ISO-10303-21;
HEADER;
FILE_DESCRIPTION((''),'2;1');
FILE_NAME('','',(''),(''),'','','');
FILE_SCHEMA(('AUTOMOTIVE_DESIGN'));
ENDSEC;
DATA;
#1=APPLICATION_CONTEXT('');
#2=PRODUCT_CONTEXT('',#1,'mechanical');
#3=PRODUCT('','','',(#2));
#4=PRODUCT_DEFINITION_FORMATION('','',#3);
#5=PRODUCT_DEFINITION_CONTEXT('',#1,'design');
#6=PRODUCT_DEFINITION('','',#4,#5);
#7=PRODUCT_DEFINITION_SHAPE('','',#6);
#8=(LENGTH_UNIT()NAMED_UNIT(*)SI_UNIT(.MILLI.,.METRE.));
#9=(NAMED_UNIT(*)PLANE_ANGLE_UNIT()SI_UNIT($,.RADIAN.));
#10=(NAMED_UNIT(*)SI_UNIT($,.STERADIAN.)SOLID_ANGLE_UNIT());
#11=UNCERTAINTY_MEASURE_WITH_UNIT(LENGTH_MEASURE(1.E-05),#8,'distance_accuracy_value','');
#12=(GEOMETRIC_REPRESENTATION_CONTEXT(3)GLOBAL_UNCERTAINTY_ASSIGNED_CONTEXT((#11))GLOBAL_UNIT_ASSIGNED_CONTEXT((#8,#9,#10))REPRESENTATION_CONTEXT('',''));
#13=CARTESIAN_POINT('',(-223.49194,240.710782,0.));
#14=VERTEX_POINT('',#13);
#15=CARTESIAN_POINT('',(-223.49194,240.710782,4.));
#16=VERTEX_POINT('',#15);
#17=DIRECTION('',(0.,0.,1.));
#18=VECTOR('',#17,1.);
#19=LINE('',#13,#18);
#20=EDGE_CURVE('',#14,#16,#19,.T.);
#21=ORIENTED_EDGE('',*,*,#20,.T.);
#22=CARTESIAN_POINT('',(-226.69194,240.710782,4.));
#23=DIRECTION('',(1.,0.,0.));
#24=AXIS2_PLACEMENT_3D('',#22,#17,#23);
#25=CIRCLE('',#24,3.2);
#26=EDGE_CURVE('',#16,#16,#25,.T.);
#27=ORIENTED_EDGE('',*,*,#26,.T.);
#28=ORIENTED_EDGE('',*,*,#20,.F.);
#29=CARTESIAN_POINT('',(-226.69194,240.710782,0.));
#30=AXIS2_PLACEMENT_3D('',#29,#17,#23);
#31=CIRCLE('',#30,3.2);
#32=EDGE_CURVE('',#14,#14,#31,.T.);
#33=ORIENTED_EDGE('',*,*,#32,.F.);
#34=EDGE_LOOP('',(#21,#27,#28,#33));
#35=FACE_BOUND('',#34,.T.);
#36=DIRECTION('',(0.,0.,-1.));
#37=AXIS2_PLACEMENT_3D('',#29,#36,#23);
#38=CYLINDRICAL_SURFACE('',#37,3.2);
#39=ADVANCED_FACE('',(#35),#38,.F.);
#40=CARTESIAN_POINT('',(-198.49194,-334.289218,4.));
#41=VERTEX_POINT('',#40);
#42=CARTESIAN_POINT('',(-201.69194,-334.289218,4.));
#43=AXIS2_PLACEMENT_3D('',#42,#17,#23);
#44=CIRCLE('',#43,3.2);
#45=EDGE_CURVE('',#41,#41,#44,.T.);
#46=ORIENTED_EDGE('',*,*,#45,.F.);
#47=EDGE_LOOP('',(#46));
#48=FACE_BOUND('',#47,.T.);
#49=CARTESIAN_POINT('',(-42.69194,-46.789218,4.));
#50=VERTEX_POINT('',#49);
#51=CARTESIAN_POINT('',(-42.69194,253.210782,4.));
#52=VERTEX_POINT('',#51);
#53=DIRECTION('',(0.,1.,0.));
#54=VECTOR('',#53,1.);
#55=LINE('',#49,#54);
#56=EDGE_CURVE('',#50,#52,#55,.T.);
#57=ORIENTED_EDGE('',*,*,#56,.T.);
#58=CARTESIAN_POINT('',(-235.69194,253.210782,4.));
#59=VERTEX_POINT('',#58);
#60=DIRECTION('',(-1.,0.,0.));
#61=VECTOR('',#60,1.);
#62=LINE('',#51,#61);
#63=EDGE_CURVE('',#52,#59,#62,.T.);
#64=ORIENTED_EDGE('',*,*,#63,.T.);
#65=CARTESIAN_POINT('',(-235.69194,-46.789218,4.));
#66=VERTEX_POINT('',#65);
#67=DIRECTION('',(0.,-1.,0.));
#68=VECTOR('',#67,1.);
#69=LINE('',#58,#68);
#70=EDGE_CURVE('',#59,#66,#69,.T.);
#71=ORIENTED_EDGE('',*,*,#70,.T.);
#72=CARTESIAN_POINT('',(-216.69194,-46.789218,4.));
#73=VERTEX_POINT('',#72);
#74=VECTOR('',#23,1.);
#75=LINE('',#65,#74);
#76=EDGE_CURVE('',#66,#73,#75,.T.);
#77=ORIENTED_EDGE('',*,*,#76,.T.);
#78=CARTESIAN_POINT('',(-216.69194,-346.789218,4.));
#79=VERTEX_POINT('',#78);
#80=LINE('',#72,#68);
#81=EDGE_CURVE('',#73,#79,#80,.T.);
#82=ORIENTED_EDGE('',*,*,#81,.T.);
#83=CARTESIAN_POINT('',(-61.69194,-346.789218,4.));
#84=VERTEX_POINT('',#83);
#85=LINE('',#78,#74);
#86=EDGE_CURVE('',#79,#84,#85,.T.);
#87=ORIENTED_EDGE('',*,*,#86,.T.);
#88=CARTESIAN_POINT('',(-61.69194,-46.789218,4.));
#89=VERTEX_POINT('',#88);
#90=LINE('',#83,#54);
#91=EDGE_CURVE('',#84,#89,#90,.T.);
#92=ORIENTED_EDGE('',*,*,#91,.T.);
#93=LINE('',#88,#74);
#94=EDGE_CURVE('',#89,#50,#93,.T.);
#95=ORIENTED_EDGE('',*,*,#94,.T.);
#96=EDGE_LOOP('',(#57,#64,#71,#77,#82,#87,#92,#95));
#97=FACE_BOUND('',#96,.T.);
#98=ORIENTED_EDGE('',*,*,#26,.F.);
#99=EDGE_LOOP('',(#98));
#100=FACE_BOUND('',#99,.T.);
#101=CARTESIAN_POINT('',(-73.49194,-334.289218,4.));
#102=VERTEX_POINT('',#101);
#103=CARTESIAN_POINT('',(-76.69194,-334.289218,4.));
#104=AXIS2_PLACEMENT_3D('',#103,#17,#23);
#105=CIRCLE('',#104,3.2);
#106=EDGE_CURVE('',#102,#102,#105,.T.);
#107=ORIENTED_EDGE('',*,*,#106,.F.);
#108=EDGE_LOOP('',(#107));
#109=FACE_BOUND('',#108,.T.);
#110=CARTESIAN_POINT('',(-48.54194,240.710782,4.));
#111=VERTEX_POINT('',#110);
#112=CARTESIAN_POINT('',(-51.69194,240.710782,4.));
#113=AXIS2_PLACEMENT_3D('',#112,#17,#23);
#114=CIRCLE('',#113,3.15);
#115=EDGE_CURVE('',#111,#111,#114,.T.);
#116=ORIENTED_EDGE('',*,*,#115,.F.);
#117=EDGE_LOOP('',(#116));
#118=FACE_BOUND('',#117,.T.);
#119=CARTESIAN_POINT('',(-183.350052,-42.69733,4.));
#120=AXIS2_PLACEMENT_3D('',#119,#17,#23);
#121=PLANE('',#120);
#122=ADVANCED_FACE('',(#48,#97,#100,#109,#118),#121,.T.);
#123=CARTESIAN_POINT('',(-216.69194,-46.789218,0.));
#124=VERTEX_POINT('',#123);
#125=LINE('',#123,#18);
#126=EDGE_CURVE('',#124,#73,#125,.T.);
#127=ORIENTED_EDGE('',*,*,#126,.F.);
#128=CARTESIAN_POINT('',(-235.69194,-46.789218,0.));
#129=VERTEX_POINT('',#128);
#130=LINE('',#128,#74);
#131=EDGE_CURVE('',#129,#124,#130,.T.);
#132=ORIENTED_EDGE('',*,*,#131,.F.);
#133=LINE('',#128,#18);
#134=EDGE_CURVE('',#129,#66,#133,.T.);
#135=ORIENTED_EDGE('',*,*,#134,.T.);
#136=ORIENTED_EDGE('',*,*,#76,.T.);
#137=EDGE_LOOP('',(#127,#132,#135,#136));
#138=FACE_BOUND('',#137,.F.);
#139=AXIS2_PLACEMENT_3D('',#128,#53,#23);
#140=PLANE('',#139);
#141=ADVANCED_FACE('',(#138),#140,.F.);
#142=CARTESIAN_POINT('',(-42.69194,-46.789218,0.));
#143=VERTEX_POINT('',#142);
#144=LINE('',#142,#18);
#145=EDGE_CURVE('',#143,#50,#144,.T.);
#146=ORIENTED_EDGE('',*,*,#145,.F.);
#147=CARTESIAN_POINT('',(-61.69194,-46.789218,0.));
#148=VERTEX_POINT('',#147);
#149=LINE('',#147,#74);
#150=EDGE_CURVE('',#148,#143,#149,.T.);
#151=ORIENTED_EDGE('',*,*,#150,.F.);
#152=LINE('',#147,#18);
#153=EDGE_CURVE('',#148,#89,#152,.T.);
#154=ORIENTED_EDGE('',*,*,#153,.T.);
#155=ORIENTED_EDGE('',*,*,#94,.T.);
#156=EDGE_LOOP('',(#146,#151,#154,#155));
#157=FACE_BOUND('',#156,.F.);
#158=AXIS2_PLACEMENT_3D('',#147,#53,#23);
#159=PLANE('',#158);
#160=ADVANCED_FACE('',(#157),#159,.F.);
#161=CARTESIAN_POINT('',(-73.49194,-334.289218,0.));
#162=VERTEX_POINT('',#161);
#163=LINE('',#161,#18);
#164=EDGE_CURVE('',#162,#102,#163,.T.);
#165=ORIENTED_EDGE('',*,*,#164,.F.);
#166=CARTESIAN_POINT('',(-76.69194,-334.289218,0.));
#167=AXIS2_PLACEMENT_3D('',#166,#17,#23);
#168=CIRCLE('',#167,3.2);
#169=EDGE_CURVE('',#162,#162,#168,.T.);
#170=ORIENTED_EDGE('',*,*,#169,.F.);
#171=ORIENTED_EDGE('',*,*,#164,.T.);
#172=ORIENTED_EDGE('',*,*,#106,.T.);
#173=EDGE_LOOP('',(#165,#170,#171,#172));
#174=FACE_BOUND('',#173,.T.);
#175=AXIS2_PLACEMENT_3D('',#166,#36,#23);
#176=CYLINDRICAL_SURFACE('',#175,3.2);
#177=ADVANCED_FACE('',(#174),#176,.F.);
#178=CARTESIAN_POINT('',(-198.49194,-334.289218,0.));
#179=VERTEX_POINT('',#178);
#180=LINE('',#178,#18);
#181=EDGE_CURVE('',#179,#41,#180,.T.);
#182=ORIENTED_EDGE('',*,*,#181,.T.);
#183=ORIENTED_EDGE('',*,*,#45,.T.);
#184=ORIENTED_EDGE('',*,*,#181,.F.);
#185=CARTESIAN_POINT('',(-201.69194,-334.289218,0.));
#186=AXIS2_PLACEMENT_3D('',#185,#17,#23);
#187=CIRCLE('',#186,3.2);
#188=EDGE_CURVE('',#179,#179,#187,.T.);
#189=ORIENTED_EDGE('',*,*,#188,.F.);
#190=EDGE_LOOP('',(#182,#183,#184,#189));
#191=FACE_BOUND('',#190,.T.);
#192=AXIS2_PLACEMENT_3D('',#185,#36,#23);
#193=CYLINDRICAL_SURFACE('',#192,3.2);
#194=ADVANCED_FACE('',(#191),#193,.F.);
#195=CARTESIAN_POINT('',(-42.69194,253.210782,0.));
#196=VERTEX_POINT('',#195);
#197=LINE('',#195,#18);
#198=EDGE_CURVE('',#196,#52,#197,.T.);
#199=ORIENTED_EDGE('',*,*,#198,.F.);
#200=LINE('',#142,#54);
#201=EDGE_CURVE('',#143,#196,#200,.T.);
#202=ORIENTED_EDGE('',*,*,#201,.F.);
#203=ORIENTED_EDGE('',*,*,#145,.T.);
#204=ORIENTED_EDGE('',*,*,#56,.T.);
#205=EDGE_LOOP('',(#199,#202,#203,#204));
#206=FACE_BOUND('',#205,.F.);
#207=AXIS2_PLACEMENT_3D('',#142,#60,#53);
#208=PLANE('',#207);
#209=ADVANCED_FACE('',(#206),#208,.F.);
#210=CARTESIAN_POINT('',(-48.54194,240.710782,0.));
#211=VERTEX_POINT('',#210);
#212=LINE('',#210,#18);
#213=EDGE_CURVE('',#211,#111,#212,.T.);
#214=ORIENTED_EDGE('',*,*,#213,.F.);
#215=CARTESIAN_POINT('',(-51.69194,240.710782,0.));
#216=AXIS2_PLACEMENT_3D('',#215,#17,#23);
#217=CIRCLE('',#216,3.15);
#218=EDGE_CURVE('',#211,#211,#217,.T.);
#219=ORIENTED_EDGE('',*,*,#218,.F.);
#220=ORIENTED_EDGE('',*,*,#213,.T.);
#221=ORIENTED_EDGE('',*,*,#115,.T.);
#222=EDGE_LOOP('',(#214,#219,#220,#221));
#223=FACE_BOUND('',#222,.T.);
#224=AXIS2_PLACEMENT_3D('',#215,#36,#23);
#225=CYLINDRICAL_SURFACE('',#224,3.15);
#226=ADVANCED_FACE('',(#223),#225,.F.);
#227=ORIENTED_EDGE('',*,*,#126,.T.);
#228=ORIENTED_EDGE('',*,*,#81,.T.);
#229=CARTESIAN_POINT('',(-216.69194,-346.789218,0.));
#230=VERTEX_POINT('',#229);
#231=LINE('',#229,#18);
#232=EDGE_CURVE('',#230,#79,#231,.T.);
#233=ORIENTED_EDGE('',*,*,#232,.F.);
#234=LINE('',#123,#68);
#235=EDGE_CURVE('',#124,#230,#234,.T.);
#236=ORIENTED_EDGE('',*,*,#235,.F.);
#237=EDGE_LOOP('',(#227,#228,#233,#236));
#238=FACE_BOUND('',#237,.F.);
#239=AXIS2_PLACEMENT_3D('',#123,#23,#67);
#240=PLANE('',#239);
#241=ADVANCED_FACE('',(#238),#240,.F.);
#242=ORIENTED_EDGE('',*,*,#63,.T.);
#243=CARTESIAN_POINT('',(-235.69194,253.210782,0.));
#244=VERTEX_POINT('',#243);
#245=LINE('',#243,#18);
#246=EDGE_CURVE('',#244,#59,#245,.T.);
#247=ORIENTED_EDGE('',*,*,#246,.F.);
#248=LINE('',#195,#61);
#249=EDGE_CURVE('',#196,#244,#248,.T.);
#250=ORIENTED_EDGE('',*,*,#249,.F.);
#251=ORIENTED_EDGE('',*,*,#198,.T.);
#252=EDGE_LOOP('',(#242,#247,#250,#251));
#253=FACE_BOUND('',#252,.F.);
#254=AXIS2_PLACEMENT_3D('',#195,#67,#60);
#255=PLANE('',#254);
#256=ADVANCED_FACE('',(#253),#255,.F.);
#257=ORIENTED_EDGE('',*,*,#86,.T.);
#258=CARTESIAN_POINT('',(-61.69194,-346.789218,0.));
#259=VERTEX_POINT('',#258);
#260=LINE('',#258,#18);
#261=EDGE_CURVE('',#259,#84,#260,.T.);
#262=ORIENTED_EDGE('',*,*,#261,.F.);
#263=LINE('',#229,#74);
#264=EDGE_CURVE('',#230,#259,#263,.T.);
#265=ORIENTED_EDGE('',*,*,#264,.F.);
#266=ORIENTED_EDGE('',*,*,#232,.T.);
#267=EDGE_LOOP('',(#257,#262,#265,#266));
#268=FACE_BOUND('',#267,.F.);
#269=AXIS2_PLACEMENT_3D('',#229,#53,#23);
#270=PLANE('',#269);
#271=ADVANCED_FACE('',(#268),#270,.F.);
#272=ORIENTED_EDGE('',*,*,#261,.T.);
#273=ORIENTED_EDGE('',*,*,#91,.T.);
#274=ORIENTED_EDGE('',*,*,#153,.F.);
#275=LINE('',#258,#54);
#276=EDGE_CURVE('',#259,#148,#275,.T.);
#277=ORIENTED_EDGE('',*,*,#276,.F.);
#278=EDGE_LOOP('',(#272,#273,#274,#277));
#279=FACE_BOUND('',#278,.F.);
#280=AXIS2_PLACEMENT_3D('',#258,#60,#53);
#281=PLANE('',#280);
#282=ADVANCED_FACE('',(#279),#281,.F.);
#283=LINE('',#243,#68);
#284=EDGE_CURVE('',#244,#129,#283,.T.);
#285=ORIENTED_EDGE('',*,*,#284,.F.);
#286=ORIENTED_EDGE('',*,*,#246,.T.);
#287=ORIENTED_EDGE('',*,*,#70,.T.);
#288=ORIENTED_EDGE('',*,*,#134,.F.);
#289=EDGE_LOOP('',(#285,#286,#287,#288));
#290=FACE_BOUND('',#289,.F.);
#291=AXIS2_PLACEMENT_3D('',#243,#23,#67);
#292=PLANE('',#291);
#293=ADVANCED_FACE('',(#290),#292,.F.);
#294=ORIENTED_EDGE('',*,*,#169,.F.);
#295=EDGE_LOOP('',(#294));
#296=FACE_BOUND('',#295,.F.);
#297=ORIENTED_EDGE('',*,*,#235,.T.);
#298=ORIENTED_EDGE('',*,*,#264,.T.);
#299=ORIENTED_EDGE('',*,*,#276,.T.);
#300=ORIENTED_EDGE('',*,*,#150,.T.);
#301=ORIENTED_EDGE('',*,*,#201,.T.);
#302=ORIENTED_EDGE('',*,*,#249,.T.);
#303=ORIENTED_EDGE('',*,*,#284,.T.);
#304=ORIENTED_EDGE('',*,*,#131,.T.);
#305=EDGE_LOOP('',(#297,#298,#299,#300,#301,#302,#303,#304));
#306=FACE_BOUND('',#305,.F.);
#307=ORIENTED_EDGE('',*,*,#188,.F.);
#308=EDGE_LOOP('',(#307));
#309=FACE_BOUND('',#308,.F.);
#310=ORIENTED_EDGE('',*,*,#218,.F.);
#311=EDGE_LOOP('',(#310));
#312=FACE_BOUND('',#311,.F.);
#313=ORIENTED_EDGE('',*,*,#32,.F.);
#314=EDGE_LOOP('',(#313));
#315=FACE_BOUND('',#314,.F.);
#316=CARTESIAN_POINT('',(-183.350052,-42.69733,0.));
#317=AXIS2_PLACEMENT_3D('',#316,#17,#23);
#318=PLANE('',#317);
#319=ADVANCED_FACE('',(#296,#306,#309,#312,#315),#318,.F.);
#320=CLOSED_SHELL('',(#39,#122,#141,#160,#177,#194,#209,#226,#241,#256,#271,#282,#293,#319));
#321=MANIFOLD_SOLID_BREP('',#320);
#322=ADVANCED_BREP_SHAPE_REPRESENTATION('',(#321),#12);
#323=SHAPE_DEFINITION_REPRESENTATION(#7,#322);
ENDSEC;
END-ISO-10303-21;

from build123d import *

# Parameters (mm, degrees)
F0_R     = 3.2
F0_R_2   = 3.15
F1_DEPTH = 4


with BuildPart() as f1:
    # F0 (on Top) → F1 (new body)
    with BuildSketch(Plane.XY):
        Polygon((-139.19194, 253.210782), (-235.69194, 253.210782), (-235.69194, -46.789218), (-216.69194, -46.789218), (-216.69194, -346.789218), (-139.19194, -346.789218), align=None)
        with Locations((-201.69194, -334.289218)):
            Circle(F0_R, mode=Mode.SUBTRACT)
        with Locations((-226.69194, 240.710782)):
            Circle(F0_R, mode=Mode.SUBTRACT)
        Polygon((-42.69194, 253.210782), (-139.19194, 253.210782), (-139.19194, -346.789218), (-61.69194, -346.789218), (-61.69194, -46.789218), (-42.69194, -46.789218), align=None)
        with Locations((-76.69194, -334.289218)):
            Circle(F0_R, mode=Mode.SUBTRACT)
        with Locations((-51.69194, 240.710782)):
            Circle(F0_R_2, mode=Mode.SUBTRACT)
    extrude(amount=F1_DEPTH)


solid = f1.part
